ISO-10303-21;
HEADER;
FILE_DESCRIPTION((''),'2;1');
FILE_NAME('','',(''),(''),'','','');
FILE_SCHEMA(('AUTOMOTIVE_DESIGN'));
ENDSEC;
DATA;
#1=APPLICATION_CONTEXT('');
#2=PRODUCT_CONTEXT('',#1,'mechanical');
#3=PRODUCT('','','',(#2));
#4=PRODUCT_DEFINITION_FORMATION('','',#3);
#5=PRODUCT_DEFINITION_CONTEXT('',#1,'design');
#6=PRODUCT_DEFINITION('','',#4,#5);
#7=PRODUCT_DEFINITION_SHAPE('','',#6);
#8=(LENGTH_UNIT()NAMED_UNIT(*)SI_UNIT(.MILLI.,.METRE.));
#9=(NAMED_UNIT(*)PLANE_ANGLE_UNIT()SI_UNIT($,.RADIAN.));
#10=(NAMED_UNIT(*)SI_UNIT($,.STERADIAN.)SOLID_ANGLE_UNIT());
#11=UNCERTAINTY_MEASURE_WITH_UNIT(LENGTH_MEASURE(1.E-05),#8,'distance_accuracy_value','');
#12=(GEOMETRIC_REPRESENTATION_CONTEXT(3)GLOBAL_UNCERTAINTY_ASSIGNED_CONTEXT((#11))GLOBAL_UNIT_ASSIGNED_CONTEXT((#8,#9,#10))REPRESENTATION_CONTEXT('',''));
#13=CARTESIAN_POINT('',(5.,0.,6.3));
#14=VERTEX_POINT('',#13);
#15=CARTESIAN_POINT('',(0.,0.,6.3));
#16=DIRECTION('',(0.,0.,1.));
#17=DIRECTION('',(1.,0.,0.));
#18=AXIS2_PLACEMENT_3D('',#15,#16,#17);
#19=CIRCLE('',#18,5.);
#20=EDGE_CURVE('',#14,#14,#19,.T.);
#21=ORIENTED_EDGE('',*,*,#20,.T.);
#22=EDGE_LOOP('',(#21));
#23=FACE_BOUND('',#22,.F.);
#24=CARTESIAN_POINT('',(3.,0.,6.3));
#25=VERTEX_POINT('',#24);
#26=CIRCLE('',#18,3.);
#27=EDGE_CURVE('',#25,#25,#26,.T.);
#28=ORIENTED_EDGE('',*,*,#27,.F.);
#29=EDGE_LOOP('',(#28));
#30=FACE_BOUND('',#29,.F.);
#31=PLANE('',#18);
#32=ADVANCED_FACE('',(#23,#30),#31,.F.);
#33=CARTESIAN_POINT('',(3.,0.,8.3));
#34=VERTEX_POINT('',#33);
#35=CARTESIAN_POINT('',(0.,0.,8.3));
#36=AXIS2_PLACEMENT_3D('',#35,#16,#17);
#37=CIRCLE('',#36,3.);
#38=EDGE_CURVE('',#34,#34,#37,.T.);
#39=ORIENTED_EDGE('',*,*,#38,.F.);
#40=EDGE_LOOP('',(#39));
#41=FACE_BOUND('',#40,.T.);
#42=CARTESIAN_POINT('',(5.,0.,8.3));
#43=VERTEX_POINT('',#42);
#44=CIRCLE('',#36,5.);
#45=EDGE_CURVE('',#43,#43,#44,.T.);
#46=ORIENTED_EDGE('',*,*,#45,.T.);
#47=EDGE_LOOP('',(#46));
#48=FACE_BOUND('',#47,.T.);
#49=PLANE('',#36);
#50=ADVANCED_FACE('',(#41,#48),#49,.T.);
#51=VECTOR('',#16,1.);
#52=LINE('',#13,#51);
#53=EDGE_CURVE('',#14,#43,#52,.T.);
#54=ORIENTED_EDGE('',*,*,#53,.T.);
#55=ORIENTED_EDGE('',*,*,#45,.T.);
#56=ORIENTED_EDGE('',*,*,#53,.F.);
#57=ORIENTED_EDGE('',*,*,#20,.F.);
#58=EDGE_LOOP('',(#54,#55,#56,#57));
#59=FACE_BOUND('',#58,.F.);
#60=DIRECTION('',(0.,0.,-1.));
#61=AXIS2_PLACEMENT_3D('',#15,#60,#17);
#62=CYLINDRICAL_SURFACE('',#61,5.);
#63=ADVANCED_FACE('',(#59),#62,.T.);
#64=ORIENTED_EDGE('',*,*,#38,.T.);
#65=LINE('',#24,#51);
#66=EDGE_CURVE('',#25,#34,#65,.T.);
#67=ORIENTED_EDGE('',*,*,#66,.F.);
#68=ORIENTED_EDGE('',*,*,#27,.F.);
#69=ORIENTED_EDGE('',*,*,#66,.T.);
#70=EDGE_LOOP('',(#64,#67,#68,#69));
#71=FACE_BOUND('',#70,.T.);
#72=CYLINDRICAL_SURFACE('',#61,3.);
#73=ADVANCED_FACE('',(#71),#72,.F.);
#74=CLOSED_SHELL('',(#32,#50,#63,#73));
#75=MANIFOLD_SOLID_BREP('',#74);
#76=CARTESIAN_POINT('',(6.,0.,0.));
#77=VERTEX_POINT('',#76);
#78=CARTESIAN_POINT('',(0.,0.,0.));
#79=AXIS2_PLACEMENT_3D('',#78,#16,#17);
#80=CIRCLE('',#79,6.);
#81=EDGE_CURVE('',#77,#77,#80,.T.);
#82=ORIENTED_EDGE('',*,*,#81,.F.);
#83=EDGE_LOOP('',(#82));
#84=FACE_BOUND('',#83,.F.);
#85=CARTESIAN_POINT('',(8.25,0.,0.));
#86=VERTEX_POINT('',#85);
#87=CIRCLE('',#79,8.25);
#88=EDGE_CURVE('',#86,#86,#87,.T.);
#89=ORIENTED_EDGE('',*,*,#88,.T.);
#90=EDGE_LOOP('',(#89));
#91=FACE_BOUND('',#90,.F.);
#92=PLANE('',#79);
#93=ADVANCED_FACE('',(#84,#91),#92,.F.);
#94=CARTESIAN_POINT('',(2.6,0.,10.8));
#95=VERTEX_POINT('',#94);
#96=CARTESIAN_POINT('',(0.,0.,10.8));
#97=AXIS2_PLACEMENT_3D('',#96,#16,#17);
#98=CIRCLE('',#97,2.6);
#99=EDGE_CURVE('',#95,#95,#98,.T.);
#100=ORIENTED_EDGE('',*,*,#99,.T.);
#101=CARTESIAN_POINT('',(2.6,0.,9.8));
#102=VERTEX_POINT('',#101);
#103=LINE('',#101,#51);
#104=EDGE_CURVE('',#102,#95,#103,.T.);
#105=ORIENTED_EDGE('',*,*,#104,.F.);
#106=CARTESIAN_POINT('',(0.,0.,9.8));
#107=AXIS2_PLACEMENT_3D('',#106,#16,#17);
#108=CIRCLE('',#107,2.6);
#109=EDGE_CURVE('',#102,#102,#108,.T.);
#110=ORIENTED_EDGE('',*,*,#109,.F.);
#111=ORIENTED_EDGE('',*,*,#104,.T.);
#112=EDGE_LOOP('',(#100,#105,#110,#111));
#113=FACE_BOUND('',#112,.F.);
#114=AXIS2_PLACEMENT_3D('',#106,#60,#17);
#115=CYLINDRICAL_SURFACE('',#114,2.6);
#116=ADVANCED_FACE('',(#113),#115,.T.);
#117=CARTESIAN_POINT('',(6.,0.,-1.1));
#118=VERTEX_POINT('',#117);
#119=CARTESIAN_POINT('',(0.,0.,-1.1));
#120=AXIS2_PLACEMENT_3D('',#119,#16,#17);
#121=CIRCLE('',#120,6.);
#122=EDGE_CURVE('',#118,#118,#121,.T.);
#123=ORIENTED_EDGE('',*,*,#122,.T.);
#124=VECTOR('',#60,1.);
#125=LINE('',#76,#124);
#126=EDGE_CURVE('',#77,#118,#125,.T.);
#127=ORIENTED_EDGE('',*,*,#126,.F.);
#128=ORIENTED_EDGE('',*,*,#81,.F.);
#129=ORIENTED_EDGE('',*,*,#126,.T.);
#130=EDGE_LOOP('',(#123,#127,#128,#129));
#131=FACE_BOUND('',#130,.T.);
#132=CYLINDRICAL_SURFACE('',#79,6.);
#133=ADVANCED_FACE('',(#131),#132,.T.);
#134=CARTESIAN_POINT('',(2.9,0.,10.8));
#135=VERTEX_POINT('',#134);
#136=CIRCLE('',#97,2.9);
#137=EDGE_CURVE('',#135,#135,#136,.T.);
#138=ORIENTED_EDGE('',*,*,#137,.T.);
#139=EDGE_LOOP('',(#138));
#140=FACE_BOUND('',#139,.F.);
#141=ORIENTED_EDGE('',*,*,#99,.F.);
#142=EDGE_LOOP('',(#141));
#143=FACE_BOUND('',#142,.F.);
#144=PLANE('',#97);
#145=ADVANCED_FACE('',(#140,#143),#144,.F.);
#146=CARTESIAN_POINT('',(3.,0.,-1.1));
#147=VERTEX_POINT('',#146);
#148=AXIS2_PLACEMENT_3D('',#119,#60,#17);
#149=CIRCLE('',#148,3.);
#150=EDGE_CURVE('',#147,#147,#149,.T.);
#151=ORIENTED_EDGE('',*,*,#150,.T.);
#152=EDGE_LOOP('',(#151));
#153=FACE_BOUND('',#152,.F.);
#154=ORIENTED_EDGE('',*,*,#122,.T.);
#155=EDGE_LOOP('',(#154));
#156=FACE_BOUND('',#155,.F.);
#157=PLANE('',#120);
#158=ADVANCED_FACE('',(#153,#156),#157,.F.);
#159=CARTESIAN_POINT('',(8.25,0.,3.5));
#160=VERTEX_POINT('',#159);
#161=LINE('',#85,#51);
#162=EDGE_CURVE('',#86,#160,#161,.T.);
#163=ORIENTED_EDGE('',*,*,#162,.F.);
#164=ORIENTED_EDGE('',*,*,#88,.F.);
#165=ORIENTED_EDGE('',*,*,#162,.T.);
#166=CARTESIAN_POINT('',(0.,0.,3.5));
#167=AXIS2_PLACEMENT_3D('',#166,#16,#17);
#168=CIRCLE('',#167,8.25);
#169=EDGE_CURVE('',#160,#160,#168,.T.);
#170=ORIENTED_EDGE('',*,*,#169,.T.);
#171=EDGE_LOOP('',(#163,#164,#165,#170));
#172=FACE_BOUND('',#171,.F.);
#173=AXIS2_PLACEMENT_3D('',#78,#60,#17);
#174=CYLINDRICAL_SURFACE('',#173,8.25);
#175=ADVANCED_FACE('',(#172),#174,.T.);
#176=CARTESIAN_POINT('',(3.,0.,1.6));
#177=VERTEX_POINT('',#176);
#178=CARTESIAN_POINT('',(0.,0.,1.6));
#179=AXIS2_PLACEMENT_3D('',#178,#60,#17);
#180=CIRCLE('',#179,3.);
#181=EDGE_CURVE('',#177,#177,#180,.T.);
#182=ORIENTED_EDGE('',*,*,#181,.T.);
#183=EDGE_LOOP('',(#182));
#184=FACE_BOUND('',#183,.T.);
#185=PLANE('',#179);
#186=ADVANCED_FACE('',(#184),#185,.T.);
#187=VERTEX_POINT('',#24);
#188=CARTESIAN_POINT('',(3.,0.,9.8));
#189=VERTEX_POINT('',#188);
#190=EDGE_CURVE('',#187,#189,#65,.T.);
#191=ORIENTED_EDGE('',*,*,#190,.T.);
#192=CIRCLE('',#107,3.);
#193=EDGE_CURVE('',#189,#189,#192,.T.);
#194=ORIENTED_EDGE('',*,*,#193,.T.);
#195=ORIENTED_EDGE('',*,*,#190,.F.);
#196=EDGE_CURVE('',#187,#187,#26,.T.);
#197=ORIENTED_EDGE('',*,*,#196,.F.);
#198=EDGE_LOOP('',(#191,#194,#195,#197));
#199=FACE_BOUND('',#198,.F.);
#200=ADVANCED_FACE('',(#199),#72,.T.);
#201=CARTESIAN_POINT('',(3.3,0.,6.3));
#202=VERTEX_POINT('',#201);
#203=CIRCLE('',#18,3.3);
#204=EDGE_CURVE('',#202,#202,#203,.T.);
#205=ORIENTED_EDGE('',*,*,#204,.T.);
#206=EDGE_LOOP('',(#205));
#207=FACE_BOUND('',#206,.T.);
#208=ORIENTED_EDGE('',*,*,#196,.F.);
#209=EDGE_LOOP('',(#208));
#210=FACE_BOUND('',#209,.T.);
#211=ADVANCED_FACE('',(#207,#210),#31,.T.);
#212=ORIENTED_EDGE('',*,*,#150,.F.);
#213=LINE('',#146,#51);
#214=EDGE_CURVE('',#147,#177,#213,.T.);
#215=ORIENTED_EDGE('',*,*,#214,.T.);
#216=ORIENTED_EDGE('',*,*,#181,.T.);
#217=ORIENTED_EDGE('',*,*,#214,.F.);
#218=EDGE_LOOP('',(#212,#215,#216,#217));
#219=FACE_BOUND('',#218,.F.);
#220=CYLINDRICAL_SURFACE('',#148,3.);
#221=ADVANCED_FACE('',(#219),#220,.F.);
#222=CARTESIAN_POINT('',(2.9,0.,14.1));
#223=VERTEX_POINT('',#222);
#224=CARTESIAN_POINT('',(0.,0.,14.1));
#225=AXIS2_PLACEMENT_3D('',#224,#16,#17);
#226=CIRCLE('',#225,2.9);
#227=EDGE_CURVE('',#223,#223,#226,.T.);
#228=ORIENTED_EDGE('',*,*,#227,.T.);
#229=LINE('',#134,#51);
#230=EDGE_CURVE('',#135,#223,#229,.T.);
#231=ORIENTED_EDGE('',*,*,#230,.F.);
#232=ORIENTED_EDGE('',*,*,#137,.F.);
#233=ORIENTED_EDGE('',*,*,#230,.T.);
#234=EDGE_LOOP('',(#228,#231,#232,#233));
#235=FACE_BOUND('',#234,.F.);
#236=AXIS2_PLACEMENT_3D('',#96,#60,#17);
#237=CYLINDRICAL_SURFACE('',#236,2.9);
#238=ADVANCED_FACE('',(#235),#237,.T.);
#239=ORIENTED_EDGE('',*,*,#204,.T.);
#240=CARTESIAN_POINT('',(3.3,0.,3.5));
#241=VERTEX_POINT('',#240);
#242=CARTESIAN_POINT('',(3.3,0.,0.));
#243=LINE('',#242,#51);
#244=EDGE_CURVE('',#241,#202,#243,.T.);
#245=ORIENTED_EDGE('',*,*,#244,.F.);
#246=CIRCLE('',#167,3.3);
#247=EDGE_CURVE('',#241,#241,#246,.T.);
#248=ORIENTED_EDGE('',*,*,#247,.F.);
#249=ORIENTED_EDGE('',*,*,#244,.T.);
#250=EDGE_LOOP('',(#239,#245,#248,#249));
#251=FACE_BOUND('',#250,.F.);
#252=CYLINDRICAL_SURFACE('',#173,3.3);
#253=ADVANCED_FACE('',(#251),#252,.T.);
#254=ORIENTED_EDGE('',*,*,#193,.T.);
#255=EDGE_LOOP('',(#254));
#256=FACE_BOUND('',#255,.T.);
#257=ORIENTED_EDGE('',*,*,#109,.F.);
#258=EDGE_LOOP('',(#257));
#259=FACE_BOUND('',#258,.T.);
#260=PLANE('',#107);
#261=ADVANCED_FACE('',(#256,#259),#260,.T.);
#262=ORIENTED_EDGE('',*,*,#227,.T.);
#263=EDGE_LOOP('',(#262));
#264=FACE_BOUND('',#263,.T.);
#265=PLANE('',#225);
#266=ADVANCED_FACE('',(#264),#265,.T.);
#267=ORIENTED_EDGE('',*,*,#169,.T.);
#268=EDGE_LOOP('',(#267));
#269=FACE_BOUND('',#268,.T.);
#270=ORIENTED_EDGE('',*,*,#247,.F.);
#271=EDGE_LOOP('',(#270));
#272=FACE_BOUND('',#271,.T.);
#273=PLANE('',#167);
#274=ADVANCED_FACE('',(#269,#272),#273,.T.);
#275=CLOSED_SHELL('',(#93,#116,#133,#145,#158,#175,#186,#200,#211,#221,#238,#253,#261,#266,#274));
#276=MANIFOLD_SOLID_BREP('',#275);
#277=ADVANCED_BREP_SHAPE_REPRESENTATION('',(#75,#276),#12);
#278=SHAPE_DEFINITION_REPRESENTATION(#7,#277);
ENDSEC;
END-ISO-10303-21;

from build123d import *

# Parameters (mm, degrees)
F0_R      = 8.25
F0_R_2    = 6
F0_R_3    = 3.3
F1_DEPTH  = 3.5
F2_DEPTH  = 6.3
F3_DEPTH  = 1.1
F4_R      = 3
F5_DEPTH  = 2.7
F6_R      = 5
F6_R_2    = 3.3
F6_R_3    = 3
F7_DEPTH  = 2
F8_DEPTH  = 3.5
F9_R      = 2.6
F10_DEPTH = 1
F11_R     = 2.9
F12_DEPTH = 3.3


with BuildPart() as f1:
    # F0 (on Top) → F1 (new body)
    with BuildSketch(Plane.XY):
        Circle(F0_R)
        Circle(F0_R_2, mode=Mode.SUBTRACT)
        Circle(F0_R_2)
        Circle(F0_R_3, mode=Mode.SUBTRACT)
    extrude(amount=F1_DEPTH)

    # F0 (on Top) → F2 (join)
    with BuildSketch(Plane.XY):
        Circle(F0_R_3)
    extrude(amount=F2_DEPTH)

    # F0 (on Top) → F3 (join)
    with BuildSketch(Plane.XY):
        Circle(F0_R_2)
        Circle(F0_R_3, mode=Mode.SUBTRACT)
        Circle(F0_R_3)
    extrude(amount=-F3_DEPTH)

    # F4 (on face) → F5 (cut)
    with BuildSketch(Plane(origin=(0, 0, -1.1), x_dir=(1, 0, 0), z_dir=(0, 0, -1))):
        Circle(F4_R)
    extrude(amount=-F5_DEPTH, mode=Mode.SUBTRACT)

    # F6 (on face) → F8 (join)
    with BuildSketch(Plane.XY.offset(6.3)):
        Circle(F6_R_3)
    extrude(amount=F8_DEPTH)

    # F9 (on face) → F10 (join)
    with BuildSketch(Plane.XY.offset(9.8)):
        Circle(F9_R)
    extrude(amount=F10_DEPTH)

    # F11 (on face) → F12 (join)
    with BuildSketch(Plane.XY.offset(10.8)):
        Circle(F11_R)
    extrude(amount=F12_DEPTH)


with BuildPart() as f7:
    # F6 (on face) → F7 (new body)
    with BuildSketch(Plane.XY.offset(6.3)):
        Circle(F6_R)
        Circle(F6_R_2, mode=Mode.SUBTRACT)
        Circle(F6_R_2)
        Circle(F6_R_3, mode=Mode.SUBTRACT)
    extrude(amount=F7_DEPTH)


solid = Compound([f1.part, f7.part])
